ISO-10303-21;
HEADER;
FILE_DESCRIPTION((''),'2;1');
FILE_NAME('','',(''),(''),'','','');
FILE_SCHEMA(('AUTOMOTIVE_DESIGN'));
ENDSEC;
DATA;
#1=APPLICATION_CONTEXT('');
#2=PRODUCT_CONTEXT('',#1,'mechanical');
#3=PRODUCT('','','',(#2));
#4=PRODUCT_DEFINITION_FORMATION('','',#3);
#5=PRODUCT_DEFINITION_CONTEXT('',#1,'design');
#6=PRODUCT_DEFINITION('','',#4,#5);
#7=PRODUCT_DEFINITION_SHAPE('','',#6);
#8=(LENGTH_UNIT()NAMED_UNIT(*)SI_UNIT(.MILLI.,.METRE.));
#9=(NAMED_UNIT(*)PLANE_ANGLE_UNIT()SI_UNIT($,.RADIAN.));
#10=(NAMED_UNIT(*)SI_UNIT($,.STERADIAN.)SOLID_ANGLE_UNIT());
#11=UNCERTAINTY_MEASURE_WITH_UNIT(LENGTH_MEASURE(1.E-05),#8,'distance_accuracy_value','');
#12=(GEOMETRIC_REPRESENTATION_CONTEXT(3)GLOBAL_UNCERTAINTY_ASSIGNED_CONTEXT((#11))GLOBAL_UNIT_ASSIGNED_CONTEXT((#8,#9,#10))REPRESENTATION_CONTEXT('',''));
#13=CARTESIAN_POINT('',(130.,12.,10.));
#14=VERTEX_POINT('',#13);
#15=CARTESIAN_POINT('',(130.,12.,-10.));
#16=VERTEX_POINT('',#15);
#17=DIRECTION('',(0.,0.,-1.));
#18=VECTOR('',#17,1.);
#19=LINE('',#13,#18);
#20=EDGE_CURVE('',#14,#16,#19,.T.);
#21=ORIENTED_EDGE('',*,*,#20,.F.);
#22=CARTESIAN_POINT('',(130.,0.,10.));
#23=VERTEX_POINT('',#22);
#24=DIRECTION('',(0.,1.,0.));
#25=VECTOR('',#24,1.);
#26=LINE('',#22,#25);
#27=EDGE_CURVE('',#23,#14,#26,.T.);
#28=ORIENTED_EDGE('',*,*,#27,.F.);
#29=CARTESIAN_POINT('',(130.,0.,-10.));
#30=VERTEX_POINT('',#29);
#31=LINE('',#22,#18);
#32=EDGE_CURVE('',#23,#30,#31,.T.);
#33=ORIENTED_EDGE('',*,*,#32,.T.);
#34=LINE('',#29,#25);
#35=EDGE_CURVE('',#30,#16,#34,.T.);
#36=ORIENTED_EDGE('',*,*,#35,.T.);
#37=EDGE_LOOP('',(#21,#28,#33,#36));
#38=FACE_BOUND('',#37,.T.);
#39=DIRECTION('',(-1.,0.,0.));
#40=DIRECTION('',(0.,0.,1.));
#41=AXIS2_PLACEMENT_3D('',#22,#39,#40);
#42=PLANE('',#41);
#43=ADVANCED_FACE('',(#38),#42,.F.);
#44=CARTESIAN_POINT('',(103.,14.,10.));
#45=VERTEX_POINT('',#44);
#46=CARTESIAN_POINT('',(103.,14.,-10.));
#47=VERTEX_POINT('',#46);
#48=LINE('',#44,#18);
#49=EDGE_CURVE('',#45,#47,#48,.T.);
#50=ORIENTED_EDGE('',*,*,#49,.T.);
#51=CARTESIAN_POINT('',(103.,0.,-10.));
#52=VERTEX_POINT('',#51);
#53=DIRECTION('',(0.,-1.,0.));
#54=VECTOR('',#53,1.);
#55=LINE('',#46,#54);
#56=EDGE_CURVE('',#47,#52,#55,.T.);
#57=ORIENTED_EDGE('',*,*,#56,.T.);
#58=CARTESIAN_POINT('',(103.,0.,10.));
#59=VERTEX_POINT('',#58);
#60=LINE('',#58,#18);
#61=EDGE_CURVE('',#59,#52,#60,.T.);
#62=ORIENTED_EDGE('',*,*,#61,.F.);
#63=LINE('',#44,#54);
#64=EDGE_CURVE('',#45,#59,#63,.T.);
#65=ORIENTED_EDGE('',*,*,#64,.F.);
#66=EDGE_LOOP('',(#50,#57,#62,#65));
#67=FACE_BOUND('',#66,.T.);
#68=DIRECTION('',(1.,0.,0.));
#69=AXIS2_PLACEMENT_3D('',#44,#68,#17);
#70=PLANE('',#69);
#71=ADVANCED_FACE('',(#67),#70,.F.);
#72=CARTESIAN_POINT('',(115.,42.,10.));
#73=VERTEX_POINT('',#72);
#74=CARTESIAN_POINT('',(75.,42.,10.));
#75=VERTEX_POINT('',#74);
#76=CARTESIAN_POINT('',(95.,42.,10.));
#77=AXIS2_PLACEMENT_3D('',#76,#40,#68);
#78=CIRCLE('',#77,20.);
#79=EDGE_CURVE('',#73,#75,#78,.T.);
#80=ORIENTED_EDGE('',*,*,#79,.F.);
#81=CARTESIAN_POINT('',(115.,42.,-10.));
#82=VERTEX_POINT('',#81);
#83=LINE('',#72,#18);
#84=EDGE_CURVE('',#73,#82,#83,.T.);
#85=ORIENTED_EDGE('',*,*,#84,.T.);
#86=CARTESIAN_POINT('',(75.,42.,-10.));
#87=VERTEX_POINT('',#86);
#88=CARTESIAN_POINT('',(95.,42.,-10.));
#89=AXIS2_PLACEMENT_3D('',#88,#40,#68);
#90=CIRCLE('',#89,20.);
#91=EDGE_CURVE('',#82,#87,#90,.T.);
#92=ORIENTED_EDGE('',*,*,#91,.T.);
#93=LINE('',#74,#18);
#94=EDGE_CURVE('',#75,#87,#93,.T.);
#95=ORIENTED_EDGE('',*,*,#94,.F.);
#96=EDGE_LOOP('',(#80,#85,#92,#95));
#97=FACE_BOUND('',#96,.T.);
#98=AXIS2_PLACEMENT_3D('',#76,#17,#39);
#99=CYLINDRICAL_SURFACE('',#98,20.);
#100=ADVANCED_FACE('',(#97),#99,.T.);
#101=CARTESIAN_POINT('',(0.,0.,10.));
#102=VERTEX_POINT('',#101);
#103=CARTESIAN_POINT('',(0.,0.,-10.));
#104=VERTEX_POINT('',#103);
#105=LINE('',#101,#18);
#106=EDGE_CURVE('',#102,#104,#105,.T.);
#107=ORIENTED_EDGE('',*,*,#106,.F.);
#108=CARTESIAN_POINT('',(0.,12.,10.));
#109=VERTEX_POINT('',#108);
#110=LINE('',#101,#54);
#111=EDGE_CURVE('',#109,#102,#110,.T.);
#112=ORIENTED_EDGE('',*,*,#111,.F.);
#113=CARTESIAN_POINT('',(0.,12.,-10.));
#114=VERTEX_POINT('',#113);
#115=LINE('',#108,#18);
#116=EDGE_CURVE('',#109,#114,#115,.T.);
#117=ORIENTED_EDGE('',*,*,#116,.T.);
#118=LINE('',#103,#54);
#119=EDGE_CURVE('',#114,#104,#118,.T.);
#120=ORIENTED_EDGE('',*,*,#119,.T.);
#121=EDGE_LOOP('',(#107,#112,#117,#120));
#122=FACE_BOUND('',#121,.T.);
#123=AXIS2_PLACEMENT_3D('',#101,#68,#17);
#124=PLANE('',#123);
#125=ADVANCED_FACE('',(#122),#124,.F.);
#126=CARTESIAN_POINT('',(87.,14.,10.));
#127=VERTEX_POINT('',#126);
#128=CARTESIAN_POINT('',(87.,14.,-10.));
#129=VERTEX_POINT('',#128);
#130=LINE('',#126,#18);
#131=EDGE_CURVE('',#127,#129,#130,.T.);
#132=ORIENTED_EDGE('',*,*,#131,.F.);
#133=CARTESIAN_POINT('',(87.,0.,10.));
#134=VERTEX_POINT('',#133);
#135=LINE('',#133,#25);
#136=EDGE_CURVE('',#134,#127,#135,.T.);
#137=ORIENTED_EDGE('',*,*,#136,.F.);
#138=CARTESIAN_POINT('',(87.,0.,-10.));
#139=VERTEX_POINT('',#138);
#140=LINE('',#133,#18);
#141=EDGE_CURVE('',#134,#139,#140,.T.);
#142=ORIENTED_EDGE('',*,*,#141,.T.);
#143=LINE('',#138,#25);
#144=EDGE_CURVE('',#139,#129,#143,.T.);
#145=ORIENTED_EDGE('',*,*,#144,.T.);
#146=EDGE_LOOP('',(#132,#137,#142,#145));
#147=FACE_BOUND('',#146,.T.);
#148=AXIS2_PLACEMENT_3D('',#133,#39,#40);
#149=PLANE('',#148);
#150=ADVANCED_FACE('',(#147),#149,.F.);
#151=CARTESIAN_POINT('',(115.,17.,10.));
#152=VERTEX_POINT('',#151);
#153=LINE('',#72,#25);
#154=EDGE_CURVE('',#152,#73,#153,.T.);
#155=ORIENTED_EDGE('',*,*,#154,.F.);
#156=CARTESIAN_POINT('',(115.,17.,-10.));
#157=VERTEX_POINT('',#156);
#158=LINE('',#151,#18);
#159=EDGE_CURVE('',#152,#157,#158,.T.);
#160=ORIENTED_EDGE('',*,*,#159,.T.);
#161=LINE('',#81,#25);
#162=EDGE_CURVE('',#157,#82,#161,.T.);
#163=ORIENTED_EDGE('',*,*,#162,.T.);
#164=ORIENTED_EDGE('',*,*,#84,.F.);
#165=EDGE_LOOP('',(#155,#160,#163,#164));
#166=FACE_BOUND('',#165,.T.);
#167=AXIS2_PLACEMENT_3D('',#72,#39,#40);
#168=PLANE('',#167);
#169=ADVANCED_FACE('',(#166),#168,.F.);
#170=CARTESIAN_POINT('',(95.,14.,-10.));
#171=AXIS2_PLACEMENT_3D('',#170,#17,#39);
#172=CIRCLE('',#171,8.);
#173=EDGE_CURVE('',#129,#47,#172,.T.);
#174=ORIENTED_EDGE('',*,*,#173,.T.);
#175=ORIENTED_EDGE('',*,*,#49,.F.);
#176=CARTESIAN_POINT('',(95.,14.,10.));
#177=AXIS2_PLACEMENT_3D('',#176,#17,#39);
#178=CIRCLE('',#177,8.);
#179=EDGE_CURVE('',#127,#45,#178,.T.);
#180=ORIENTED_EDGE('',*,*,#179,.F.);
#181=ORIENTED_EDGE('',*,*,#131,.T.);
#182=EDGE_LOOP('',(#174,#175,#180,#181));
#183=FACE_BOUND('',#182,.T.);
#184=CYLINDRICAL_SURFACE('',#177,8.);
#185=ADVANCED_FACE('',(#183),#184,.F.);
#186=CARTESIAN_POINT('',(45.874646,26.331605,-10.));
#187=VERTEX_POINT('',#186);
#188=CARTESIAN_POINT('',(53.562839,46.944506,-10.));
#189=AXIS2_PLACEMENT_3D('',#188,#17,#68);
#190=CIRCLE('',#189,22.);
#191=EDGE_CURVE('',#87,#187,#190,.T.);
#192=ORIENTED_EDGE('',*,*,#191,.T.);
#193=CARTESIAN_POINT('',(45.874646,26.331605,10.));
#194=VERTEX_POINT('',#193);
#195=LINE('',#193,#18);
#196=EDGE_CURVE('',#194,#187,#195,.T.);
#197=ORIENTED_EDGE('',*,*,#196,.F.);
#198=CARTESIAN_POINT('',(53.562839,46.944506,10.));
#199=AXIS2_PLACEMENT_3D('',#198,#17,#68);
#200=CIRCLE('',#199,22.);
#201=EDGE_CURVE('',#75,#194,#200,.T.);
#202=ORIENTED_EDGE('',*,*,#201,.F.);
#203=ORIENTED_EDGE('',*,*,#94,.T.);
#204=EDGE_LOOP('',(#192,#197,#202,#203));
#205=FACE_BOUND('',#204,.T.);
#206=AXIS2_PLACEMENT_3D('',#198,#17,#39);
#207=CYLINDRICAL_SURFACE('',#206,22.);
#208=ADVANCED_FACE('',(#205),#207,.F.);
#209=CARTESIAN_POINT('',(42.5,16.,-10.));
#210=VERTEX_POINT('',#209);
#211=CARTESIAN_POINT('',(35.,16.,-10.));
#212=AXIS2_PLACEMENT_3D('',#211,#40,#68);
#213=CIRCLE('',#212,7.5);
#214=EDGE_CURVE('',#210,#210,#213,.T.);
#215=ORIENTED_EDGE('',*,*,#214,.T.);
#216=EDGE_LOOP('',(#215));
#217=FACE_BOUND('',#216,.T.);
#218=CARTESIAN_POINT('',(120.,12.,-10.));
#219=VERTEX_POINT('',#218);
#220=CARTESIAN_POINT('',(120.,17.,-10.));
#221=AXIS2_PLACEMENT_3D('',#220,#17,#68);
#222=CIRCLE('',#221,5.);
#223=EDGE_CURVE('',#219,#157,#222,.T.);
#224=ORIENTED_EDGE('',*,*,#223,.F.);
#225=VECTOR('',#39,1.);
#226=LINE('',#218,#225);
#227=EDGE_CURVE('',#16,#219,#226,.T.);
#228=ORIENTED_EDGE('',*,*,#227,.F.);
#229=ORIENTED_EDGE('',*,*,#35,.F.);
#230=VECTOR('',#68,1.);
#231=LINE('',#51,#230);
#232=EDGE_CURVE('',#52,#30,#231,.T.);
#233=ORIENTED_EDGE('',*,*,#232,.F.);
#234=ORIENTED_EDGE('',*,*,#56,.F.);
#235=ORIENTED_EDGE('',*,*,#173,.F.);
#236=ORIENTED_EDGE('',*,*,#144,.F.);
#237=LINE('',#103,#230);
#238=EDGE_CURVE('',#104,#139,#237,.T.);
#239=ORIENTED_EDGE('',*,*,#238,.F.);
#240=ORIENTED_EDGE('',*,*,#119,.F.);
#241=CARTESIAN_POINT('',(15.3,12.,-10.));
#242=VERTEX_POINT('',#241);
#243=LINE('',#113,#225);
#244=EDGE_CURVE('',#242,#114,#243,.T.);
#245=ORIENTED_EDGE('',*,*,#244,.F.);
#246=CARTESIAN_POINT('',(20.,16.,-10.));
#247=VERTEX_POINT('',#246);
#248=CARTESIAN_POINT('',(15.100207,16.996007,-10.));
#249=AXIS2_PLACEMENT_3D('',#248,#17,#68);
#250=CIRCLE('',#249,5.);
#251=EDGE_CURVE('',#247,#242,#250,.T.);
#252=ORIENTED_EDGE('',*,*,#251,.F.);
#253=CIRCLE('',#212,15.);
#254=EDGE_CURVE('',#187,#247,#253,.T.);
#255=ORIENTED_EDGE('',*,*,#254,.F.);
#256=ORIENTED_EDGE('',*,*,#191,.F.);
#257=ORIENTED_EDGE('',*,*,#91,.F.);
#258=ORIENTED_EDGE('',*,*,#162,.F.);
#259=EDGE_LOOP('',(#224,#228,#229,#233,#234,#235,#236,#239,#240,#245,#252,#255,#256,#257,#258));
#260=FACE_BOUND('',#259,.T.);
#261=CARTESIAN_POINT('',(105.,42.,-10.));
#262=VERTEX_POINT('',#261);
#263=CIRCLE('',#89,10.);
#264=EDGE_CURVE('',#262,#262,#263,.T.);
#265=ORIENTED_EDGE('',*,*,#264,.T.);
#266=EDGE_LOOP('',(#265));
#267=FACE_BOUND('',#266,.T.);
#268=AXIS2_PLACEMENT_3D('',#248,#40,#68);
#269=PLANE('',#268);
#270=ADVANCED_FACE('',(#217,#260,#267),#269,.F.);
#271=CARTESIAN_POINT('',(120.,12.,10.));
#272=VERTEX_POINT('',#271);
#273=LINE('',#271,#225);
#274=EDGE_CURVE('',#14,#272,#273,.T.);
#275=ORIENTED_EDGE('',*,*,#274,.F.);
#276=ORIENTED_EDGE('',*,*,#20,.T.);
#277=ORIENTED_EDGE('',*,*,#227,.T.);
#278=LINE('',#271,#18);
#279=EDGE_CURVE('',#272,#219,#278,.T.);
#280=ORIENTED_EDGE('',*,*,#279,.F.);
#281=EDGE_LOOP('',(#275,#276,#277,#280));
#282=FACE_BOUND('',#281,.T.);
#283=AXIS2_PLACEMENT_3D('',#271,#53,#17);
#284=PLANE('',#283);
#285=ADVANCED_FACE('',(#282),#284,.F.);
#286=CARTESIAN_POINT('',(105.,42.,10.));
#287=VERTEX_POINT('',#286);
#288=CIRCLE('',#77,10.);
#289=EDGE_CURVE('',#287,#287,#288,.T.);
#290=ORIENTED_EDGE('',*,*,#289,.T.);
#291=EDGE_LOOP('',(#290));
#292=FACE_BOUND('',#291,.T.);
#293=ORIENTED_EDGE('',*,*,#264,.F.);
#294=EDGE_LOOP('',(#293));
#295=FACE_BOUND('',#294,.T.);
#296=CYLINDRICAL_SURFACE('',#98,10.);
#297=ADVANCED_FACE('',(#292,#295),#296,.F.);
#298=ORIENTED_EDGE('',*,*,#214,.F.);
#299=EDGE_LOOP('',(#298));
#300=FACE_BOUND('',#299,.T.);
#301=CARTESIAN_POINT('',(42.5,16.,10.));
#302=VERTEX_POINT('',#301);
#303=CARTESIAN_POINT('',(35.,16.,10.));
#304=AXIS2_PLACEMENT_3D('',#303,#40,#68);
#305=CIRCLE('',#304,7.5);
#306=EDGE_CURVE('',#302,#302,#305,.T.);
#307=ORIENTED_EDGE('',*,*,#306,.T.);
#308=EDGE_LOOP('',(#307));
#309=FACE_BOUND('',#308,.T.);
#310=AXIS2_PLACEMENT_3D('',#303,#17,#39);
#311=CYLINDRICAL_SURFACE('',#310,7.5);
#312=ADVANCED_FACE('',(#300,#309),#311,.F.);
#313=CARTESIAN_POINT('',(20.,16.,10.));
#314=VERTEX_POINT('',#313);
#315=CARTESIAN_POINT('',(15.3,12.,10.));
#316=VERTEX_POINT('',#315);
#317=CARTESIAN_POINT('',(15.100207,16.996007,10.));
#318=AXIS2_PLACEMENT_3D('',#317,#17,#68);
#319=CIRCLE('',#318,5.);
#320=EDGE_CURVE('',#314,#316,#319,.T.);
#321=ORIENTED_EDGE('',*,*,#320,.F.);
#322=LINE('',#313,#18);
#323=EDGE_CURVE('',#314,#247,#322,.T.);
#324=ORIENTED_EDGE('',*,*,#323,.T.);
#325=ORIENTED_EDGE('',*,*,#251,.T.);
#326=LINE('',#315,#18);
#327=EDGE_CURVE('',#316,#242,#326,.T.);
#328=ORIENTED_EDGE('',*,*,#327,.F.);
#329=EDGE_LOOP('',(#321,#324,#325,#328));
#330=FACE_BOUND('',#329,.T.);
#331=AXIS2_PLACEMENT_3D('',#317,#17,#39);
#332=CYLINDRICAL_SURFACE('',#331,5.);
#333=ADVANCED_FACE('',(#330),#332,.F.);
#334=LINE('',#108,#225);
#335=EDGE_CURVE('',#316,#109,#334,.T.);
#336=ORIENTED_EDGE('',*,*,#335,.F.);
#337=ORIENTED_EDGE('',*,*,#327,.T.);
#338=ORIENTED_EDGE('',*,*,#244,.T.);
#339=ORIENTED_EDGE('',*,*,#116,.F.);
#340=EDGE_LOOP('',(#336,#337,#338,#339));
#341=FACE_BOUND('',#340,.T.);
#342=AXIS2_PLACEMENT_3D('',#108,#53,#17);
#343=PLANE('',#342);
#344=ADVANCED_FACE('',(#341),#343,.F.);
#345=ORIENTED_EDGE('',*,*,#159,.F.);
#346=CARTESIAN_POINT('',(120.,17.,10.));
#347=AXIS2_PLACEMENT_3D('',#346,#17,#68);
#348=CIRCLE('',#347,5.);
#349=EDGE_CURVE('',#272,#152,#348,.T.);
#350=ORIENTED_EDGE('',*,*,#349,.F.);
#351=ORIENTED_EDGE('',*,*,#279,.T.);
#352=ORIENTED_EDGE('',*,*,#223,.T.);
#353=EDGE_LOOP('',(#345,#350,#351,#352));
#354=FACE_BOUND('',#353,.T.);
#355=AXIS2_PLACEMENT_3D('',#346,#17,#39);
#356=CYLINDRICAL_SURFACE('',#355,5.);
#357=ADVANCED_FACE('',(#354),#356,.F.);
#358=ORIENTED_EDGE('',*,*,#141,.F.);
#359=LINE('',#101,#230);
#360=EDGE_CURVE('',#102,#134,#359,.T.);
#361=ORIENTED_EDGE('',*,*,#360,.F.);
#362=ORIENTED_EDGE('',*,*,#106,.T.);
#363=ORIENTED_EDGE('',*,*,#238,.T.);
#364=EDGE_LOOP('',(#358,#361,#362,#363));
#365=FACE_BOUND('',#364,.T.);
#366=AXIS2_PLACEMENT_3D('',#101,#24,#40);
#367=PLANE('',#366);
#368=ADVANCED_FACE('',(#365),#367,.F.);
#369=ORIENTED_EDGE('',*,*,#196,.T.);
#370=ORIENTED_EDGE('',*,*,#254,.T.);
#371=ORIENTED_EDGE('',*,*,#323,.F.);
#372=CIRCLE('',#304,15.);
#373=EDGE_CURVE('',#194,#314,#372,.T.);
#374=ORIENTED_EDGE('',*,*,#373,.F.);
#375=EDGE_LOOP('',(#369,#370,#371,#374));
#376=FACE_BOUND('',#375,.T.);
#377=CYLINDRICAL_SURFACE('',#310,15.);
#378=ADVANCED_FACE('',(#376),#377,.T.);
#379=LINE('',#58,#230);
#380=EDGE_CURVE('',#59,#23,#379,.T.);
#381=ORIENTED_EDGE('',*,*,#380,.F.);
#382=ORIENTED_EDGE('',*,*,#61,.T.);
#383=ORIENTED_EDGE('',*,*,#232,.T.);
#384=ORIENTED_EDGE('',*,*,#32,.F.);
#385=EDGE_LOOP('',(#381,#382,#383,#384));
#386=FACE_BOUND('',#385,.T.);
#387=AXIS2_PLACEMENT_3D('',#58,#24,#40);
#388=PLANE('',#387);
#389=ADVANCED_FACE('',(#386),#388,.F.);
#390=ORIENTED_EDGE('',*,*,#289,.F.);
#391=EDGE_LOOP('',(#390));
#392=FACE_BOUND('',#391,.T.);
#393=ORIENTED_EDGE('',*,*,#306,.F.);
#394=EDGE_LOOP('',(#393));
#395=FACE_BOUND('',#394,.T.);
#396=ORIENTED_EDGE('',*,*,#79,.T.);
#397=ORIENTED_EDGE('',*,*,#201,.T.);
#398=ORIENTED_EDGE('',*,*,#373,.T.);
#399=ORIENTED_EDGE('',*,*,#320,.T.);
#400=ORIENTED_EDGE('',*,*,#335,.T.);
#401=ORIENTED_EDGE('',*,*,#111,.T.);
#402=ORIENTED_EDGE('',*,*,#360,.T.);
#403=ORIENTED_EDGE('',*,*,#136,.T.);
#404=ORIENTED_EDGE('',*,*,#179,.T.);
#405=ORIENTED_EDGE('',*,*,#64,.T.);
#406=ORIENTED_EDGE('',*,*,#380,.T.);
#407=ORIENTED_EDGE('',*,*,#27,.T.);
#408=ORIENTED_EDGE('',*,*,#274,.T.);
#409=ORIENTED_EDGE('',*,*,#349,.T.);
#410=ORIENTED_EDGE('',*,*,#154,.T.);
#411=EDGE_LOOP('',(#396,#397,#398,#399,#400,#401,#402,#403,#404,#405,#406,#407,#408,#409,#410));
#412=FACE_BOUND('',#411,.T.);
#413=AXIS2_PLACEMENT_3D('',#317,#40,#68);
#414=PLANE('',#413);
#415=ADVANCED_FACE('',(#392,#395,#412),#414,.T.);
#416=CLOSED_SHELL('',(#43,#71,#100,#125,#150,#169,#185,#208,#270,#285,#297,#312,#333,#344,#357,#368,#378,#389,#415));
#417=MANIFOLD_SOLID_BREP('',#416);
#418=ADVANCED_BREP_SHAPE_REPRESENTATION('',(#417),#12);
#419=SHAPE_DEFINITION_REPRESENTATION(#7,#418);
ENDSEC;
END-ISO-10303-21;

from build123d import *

# Parameters (mm, degrees)
SKETCH1_R           = 7.5
SKETCH1_R_2         = 10
BOSS_EXTRUDE1_DEPTH = 10


with BuildPart() as part:
    # Sketch1 → Boss-Extrude1 (new body, symmetric)
    with BuildSketch(Plane.XY):
        with BuildLine():
            Line((0, 0), (87, 0))
            Line((87, 0), (87, 14))
            ThreePointArc((87, 14), (95, 22), (103, 14))
            Line((103, 14), (103, 0))
            Line((103, 0), (130, 0))
            Line((130, 0), (130, 12))
            Line((130, 12), (120, 12))
            ThreePointArc((120, 12), (116.464466094, 13.464466094), (115, 17))
            Line((115, 17), (115, 42))
            ThreePointArc((115, 42), (95, 62), (75, 42))
            ThreePointArc((75, 42), (63.985563365, 27.57012052), (45.874646321, 26.331605267))
            ThreePointArc((45.874646321, 26.331605267), (29.43761269, 29.930536508), (20, 16))
            ThreePointArc((20, 16), (18.340800225, 13.188309736), (15.3, 12))
            Line((15.3, 12), (0, 12))
            Line((0, 12), (0, 0))
        make_face()
        with Locations((35, 16)):
            Circle(SKETCH1_R, mode=Mode.SUBTRACT)
        with Locations((95, 42)):
            Circle(SKETCH1_R_2, mode=Mode.SUBTRACT)
    extrude(amount=BOSS_EXTRUDE1_DEPTH, both=True)


solid = part.part
